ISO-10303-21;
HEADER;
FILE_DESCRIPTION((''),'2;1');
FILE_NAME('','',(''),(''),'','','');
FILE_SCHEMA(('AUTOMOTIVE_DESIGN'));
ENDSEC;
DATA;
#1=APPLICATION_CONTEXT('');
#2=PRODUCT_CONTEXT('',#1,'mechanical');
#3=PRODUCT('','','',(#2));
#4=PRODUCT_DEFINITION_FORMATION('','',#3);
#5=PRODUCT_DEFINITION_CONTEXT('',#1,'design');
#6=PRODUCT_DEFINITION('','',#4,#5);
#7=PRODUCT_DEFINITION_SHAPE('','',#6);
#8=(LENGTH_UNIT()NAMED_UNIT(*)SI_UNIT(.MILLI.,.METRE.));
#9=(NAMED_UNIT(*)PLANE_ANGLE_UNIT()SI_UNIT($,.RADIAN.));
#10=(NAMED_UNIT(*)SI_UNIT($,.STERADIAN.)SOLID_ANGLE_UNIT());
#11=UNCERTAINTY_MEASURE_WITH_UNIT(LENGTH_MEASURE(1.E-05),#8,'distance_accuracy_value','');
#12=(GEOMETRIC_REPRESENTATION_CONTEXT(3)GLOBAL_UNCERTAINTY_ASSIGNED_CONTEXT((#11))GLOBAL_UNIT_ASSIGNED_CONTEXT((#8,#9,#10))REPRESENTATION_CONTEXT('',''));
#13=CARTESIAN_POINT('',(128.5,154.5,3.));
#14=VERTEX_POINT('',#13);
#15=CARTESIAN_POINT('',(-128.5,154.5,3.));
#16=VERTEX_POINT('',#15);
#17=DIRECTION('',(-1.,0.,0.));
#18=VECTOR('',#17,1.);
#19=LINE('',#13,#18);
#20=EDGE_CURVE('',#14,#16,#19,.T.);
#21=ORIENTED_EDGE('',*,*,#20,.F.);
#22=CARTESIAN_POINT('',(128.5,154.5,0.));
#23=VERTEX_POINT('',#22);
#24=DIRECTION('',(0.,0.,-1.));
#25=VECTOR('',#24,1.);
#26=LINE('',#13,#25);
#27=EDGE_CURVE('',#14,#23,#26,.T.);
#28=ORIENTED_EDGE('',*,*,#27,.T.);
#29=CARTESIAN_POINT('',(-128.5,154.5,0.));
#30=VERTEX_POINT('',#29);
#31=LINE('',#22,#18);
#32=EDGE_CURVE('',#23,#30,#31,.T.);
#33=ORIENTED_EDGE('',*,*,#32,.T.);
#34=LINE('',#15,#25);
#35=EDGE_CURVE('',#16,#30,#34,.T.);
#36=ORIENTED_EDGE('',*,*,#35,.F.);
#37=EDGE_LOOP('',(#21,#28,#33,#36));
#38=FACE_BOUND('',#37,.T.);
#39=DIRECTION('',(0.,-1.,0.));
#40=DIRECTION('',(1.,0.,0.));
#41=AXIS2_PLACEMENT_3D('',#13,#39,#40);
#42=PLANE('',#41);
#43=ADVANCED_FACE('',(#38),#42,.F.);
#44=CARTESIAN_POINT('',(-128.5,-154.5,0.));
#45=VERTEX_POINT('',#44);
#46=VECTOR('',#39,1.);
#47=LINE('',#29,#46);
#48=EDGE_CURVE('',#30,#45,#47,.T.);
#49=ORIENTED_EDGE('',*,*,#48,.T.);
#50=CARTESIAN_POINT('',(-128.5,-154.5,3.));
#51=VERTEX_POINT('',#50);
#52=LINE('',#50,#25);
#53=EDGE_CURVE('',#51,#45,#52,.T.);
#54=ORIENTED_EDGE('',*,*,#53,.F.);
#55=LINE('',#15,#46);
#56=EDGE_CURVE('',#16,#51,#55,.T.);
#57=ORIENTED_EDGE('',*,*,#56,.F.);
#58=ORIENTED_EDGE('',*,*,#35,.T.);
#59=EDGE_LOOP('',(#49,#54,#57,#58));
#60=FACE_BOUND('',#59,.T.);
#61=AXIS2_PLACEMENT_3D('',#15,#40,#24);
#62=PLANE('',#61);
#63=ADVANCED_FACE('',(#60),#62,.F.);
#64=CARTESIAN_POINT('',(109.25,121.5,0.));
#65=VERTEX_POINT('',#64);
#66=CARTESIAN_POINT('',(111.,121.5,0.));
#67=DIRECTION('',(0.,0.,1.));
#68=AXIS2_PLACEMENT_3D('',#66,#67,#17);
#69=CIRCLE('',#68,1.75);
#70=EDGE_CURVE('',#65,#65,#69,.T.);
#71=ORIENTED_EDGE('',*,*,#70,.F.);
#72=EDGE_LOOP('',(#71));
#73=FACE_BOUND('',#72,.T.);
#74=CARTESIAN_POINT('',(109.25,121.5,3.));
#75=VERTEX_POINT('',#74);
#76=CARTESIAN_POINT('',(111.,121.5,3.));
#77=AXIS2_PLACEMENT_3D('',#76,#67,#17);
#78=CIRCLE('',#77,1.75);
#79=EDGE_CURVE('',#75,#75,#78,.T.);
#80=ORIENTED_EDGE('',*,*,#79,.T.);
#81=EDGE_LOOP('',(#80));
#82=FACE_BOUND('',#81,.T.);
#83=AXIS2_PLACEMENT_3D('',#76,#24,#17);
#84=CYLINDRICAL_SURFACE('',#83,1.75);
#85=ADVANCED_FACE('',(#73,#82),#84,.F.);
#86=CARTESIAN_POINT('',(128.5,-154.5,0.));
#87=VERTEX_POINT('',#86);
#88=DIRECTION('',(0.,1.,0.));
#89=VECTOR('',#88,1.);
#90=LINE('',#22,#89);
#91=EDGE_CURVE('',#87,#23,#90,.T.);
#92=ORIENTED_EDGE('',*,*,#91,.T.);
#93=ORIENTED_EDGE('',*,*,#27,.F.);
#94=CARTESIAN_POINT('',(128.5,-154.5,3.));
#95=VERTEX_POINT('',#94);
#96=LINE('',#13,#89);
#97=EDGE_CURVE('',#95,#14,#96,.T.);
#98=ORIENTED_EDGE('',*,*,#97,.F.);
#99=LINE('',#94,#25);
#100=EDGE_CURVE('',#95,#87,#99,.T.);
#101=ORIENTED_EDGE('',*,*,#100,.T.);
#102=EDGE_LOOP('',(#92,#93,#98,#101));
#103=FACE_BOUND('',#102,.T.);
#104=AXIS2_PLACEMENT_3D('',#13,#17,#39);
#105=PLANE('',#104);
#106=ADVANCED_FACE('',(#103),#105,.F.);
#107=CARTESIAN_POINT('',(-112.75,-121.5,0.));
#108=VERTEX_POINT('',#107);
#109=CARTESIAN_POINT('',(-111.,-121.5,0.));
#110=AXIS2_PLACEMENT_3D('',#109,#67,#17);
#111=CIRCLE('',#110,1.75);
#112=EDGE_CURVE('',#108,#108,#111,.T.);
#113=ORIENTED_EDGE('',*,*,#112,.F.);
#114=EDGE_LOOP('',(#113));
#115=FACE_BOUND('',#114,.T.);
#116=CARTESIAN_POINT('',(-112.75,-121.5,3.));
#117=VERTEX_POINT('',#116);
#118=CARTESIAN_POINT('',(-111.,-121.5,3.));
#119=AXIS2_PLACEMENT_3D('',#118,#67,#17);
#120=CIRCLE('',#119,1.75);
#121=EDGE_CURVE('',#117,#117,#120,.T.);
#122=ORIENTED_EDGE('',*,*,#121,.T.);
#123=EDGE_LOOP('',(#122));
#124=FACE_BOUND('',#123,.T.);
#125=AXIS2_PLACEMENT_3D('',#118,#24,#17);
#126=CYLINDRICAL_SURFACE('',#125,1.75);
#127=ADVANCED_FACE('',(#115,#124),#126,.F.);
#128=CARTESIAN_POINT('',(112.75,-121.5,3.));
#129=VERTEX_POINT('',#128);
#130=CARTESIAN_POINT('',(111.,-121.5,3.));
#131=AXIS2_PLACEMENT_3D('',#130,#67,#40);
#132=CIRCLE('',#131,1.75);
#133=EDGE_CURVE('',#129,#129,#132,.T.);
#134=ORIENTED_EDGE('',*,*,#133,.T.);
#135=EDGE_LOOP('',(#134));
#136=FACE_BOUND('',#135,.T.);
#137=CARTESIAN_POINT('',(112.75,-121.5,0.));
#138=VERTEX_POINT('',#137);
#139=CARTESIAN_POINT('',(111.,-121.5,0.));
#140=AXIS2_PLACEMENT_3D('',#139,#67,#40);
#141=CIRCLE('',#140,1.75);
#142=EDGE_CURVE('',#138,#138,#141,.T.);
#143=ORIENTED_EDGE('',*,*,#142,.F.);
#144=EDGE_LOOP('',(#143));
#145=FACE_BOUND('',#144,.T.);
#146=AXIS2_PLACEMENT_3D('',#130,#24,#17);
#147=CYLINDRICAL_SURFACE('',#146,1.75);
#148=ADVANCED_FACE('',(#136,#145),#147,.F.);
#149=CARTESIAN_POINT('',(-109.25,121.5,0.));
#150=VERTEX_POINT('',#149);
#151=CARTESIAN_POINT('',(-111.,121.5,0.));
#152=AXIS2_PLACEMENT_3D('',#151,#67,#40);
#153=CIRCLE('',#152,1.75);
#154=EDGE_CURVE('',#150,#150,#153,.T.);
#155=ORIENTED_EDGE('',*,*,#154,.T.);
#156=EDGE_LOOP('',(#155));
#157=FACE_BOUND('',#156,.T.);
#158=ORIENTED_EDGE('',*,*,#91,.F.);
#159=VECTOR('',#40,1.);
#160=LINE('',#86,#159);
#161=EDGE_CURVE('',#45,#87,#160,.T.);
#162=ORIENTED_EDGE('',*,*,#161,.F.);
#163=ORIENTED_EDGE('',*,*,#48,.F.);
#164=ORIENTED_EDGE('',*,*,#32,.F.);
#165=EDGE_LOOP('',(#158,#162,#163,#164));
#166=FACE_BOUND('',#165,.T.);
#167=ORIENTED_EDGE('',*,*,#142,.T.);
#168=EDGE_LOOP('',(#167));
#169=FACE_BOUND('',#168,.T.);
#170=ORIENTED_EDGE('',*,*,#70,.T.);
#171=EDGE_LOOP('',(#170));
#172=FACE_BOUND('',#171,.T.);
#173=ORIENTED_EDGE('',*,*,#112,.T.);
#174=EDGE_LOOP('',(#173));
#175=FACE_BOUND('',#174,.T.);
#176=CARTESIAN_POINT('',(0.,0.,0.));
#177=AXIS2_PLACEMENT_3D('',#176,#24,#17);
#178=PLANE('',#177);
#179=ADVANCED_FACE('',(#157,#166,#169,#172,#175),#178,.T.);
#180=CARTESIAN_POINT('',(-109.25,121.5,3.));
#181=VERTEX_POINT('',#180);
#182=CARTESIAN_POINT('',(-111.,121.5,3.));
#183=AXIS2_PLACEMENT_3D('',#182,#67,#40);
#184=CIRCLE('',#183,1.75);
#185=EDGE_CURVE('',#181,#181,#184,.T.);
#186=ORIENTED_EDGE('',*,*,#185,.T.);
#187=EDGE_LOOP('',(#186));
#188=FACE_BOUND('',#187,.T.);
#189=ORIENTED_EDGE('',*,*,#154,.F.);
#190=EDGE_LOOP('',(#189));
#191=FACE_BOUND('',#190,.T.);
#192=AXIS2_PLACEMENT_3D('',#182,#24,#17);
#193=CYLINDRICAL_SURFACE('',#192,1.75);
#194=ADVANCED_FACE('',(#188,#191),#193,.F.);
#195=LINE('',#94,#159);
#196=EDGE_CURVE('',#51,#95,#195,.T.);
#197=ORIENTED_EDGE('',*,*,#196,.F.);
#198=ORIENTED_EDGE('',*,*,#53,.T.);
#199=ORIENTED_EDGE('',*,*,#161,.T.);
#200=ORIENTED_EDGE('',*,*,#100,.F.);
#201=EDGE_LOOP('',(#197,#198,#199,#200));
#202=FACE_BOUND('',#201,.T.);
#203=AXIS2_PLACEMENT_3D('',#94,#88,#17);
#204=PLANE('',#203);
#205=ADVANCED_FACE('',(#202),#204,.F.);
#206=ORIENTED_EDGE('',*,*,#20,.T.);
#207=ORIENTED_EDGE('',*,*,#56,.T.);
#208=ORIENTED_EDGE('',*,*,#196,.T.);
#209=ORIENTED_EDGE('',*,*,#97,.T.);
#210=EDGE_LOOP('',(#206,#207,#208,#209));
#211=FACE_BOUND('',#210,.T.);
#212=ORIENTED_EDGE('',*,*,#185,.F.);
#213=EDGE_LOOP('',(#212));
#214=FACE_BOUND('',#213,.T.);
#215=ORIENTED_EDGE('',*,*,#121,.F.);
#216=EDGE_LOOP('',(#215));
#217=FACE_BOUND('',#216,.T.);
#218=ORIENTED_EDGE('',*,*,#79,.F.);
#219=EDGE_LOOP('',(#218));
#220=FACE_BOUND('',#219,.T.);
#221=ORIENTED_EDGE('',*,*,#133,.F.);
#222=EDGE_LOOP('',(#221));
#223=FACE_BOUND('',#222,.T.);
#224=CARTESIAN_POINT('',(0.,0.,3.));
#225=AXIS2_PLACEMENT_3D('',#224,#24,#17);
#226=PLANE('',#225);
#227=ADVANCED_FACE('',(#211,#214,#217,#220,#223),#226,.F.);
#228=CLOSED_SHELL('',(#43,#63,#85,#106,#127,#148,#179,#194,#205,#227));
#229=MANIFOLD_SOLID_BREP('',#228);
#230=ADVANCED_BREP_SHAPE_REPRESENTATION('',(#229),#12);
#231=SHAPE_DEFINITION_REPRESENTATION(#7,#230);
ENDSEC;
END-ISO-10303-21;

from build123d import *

# Parameters (mm, degrees)
ESQUISSE1_W        = 257
ESQUISSE1_H        = 309
ESQUISSE1_R        = 1.75
BOSS_EXTRU_1_DEPTH = 3


with BuildPart() as part:
    # Esquisse1 → Boss.-Extru.1 (new body)
    with BuildSketch(Plane.XY):
        Rectangle(ESQUISSE1_W, ESQUISSE1_H)
        with Locations((-111, 121.5)):
            Circle(ESQUISSE1_R, mode=Mode.SUBTRACT)
        with Locations((111, 121.5)):
            Circle(ESQUISSE1_R, mode=Mode.SUBTRACT)
        with Locations((111, -121.5)):
            Circle(ESQUISSE1_R, mode=Mode.SUBTRACT)
        with Locations((-111, -121.5)):
            Circle(ESQUISSE1_R, mode=Mode.SUBTRACT)
    extrude(amount=BOSS_EXTRU_1_DEPTH)


solid = part.part
